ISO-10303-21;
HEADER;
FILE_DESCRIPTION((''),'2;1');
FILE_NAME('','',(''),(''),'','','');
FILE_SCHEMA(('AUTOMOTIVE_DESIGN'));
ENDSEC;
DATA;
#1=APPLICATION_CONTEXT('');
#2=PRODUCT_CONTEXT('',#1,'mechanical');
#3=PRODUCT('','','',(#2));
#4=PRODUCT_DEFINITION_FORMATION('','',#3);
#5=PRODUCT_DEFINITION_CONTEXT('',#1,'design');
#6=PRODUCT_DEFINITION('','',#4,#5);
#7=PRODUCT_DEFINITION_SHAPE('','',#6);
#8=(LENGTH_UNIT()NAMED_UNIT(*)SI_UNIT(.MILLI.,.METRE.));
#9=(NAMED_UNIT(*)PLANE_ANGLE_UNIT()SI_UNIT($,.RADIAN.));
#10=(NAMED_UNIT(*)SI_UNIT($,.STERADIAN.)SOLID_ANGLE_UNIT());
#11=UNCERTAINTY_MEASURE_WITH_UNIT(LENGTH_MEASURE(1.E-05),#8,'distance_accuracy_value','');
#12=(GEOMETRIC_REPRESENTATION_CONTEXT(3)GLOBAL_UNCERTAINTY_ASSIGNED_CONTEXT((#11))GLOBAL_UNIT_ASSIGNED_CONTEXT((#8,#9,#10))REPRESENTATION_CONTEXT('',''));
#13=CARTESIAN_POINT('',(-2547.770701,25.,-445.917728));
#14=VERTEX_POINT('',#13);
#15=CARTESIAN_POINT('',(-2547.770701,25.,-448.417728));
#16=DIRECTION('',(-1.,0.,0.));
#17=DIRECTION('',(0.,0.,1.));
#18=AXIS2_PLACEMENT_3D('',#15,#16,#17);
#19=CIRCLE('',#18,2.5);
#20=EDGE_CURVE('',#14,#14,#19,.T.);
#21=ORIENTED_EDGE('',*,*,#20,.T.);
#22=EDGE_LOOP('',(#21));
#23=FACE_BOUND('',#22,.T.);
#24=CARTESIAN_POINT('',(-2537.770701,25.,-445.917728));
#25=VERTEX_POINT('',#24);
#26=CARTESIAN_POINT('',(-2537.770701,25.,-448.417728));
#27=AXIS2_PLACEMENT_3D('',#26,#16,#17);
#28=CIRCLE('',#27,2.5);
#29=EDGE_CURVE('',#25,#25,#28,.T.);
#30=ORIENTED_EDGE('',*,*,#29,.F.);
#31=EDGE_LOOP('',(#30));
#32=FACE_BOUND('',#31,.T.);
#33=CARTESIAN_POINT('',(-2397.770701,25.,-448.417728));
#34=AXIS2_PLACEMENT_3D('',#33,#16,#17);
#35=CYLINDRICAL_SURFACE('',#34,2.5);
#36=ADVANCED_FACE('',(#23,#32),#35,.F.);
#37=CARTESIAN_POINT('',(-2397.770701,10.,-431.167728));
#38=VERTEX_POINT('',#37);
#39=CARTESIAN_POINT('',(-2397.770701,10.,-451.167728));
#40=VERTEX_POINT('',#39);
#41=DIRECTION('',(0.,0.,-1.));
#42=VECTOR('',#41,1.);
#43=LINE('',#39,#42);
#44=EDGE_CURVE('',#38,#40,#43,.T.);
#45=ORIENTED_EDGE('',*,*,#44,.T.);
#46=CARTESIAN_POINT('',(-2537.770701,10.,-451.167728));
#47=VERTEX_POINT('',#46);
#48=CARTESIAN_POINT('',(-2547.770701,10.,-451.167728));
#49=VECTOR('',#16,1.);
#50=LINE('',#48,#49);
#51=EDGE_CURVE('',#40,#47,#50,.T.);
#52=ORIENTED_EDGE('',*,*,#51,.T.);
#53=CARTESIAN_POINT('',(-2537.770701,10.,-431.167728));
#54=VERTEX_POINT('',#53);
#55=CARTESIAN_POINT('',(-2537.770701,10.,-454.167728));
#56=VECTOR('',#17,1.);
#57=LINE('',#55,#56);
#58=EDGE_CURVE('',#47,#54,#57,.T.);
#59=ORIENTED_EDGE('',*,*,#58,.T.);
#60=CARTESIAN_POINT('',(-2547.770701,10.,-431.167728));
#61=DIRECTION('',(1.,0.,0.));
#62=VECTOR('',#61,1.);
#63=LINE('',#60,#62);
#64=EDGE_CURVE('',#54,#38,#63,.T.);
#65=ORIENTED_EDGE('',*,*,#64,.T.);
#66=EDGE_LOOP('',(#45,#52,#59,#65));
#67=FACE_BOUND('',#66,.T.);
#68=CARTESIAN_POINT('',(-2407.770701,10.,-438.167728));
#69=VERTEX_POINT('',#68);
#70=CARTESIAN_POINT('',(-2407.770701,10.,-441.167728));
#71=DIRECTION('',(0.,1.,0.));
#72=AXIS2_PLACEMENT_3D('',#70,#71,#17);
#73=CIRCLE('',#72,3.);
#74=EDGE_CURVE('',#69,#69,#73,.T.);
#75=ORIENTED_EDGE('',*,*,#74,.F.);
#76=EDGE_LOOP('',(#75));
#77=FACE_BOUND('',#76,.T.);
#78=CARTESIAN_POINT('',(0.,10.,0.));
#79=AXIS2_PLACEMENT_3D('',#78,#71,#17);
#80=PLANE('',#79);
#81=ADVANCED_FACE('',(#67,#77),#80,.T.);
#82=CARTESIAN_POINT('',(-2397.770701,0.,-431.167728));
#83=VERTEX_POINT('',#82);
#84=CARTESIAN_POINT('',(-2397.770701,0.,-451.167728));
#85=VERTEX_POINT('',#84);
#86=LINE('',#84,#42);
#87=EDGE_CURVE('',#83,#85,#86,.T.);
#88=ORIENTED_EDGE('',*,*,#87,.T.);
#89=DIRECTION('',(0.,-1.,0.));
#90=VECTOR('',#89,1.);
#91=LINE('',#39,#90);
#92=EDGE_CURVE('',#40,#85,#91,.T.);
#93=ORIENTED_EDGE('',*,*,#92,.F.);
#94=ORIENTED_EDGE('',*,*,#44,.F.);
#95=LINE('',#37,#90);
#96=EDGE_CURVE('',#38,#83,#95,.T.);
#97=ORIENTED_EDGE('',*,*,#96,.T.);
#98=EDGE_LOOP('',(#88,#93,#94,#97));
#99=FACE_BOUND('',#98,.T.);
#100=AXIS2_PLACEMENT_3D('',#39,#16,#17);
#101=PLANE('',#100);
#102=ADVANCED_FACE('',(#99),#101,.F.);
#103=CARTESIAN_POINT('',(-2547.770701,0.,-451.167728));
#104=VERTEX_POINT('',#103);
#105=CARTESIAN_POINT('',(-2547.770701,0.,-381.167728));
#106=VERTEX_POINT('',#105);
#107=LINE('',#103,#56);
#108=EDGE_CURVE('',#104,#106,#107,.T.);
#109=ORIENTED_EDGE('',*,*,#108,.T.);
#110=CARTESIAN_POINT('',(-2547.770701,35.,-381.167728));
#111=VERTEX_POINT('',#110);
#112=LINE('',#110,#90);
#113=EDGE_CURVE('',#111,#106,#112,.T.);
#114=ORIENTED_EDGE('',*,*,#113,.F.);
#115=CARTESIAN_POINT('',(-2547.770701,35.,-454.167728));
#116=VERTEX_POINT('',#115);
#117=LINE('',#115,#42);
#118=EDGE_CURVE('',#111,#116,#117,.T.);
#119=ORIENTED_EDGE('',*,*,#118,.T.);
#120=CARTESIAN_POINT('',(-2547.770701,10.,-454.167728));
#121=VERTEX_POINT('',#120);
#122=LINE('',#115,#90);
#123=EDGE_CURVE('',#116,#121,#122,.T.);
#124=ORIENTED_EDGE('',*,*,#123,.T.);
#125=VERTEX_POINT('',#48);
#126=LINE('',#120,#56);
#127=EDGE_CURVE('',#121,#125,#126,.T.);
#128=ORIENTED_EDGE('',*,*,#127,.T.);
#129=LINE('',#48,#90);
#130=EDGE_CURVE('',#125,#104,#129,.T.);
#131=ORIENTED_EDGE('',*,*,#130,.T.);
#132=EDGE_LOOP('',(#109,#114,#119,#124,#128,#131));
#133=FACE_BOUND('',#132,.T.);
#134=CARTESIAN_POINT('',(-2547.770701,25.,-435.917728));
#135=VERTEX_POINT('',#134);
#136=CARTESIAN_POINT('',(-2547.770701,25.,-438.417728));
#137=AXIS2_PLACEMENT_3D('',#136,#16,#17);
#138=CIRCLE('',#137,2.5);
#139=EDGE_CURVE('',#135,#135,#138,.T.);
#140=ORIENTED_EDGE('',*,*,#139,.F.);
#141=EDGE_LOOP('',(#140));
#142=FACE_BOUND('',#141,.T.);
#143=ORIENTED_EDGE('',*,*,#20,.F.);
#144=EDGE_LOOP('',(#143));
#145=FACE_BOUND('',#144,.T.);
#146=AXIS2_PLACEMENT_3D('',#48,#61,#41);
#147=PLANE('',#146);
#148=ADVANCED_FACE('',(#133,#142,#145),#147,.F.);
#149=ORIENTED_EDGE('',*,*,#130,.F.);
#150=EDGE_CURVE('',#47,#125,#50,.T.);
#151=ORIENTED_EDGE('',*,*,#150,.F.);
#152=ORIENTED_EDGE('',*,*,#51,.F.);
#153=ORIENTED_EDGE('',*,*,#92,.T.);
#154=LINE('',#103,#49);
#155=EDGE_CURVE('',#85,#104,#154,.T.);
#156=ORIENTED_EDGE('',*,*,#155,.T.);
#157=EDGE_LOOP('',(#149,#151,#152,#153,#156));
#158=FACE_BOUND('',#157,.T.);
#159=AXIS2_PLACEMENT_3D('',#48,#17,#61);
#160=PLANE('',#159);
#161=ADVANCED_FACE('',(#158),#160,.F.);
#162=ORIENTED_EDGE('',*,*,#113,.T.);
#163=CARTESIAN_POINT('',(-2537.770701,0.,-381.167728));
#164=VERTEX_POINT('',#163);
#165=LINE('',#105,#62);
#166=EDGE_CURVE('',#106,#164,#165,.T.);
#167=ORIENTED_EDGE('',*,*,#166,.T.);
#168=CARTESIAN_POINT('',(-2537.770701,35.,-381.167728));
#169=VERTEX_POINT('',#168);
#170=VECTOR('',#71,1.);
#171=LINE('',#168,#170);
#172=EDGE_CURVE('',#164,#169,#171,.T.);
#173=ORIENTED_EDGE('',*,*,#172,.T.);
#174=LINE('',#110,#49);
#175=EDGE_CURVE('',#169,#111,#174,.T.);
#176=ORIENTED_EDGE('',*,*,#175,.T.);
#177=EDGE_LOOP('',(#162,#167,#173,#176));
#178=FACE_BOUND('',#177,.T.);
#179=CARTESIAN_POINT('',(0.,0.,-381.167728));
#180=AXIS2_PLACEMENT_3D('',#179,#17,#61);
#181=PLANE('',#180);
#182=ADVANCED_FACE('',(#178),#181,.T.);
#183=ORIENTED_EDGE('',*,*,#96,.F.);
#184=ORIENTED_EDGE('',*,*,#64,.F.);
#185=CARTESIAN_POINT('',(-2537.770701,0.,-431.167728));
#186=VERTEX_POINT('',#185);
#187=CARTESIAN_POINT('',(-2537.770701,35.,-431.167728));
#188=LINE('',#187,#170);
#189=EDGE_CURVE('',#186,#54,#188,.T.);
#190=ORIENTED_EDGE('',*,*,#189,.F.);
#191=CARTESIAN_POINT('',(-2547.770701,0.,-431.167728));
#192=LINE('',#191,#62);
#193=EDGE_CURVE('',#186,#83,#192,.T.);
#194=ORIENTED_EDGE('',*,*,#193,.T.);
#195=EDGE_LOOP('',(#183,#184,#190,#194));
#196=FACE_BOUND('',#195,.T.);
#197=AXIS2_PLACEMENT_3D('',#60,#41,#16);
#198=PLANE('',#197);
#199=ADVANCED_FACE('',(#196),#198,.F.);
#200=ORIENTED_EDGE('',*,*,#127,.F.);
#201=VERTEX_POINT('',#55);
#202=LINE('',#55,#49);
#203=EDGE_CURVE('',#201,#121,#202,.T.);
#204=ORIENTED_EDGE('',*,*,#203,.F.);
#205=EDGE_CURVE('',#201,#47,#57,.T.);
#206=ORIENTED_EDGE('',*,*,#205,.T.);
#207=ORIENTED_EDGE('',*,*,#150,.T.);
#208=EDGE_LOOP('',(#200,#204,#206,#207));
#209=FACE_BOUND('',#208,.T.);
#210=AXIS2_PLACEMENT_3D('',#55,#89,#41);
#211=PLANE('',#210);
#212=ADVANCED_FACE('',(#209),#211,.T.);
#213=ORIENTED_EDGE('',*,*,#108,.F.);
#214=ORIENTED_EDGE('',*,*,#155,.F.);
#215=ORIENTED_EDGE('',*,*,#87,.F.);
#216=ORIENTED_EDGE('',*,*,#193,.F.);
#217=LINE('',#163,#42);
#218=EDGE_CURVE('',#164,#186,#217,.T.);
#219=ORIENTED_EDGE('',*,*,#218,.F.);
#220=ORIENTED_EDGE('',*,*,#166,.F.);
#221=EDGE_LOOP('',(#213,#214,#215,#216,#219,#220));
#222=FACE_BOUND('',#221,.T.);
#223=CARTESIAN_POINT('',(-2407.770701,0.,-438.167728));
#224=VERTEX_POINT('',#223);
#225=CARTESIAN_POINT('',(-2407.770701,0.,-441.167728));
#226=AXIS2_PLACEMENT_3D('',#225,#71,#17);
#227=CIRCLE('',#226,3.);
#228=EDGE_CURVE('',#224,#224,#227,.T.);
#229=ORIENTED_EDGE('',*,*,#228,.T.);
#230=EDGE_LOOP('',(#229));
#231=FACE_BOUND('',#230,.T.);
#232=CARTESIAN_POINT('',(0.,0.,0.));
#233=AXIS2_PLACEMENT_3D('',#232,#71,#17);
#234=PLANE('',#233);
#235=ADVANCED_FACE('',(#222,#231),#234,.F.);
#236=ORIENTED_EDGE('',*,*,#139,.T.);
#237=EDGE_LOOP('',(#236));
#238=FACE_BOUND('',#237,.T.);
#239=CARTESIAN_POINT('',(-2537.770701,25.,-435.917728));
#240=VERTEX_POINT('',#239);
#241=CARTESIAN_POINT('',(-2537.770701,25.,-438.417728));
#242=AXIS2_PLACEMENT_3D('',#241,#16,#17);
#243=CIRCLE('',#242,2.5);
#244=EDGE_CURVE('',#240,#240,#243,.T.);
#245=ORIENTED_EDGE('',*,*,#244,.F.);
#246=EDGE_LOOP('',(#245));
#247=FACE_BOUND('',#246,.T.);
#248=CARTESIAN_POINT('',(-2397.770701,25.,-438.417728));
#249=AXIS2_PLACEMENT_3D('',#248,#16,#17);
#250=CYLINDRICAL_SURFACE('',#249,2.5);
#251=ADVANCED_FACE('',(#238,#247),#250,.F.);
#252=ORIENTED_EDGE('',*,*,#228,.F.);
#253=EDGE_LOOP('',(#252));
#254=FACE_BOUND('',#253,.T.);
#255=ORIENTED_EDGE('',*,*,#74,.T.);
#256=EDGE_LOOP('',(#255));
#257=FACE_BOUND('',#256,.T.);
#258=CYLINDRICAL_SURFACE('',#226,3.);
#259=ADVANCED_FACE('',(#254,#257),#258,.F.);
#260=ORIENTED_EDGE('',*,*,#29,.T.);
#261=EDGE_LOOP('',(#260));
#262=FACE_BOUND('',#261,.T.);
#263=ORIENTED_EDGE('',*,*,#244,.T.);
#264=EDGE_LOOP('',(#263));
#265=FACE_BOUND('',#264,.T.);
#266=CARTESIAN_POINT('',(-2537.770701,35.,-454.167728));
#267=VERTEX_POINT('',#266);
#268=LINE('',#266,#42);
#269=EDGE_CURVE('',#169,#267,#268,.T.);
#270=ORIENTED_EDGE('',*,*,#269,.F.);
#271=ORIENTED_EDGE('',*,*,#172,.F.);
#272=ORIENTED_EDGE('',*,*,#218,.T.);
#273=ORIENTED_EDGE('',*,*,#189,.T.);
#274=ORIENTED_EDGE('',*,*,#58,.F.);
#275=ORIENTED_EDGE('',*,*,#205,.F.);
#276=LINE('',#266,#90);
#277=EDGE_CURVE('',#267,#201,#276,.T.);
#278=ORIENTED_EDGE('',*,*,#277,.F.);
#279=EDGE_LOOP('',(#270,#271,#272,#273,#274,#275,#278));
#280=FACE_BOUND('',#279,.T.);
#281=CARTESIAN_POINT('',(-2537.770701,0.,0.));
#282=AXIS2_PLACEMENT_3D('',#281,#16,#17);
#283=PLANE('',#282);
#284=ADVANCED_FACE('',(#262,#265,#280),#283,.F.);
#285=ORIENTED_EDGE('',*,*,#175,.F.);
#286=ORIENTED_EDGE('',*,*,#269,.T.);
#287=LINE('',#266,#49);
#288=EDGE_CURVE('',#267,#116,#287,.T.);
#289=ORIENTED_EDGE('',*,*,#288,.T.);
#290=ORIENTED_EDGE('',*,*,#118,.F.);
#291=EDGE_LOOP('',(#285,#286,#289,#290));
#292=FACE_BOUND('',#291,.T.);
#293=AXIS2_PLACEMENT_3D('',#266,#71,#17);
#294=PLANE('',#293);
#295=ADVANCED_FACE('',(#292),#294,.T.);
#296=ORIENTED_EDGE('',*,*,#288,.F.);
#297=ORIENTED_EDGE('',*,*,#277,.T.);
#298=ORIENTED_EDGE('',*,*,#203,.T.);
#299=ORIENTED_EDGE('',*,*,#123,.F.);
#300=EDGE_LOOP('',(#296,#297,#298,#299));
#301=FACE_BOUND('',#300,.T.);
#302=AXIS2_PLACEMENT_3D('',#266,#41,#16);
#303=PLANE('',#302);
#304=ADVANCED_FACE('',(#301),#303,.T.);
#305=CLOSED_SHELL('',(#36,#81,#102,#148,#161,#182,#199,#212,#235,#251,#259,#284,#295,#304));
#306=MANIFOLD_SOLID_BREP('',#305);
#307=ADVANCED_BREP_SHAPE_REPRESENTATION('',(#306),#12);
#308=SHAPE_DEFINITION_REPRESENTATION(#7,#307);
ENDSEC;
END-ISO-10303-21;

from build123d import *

# Parameters (mm, degrees)
SKETCH1_W           = 150
SKETCH1_H           = 20
BOSS_EXTRUDE1_DEPTH = 10
SKETCH2_R           = 3
CUT_EXTRUDE1_DEPTH  = 10
SKETCH3_W           = 23
SKETCH3_H           = 25
BOSS_EXTRUDE2_DEPTH = 10
SKETCH4_R           = 2.5
CUT_EXTRUDE2_DEPTH  = 480.576193501
SKETCH5_W           = 10
SKETCH5_H           = 35
BOSS_EXTRUDE3_DEPTH = 50


with BuildPart() as part:
    # Sketch1 → Boss-Extrude1 (new body)
    with BuildSketch(Plane(origin=(0, 0, 0), x_dir=(1, 0, 0), z_dir=(0, 1, 0))):
        with Locations((-2472.770700637, 441.167728238)):
            Rectangle(SKETCH1_W, SKETCH1_H)
    extrude(amount=BOSS_EXTRUDE1_DEPTH)

    # Sketch2 → Cut-Extrude1 (cut)
    with BuildSketch(Plane(origin=(0, 10, 0), x_dir=(1, 0, 0), z_dir=(0, 1, 0))):
        with Locations(Location((-2407.770700637, 441.167728238, 0), (0, 0, 270))):
            Circle(SKETCH2_R)
    extrude(amount=-CUT_EXTRUDE1_DEPTH, mode=Mode.SUBTRACT)

    # Sketch3 → Boss-Extrude2 (add)
    with BuildSketch(Plane.ZY.offset(2547.770700637)):
        with Locations((-442.667728238, 22.5)):
            Rectangle(SKETCH3_W, SKETCH3_H)
    extrude(amount=-BOSS_EXTRUDE2_DEPTH)

    # Sketch4 → Cut-Extrude2 (cut, through all)
    with BuildSketch(Plane.ZY.offset(2547.770700637)):
        with Locations((-448.417728238, 25)):
            Circle(SKETCH4_R)
        with Locations((-438.417728238, 25)):
            Circle(SKETCH4_R)
    extrude(amount=-CUT_EXTRUDE2_DEPTH, mode=Mode.SUBTRACT)

    # Sketch5 → Boss-Extrude3 (add)
    with BuildSketch(Plane.XY.offset(-431.167728238)):
        with Locations((-2542.770700637, 17.5)):
            Rectangle(SKETCH5_W, SKETCH5_H)
    extrude(amount=BOSS_EXTRUDE3_DEPTH)


solid = part.part
